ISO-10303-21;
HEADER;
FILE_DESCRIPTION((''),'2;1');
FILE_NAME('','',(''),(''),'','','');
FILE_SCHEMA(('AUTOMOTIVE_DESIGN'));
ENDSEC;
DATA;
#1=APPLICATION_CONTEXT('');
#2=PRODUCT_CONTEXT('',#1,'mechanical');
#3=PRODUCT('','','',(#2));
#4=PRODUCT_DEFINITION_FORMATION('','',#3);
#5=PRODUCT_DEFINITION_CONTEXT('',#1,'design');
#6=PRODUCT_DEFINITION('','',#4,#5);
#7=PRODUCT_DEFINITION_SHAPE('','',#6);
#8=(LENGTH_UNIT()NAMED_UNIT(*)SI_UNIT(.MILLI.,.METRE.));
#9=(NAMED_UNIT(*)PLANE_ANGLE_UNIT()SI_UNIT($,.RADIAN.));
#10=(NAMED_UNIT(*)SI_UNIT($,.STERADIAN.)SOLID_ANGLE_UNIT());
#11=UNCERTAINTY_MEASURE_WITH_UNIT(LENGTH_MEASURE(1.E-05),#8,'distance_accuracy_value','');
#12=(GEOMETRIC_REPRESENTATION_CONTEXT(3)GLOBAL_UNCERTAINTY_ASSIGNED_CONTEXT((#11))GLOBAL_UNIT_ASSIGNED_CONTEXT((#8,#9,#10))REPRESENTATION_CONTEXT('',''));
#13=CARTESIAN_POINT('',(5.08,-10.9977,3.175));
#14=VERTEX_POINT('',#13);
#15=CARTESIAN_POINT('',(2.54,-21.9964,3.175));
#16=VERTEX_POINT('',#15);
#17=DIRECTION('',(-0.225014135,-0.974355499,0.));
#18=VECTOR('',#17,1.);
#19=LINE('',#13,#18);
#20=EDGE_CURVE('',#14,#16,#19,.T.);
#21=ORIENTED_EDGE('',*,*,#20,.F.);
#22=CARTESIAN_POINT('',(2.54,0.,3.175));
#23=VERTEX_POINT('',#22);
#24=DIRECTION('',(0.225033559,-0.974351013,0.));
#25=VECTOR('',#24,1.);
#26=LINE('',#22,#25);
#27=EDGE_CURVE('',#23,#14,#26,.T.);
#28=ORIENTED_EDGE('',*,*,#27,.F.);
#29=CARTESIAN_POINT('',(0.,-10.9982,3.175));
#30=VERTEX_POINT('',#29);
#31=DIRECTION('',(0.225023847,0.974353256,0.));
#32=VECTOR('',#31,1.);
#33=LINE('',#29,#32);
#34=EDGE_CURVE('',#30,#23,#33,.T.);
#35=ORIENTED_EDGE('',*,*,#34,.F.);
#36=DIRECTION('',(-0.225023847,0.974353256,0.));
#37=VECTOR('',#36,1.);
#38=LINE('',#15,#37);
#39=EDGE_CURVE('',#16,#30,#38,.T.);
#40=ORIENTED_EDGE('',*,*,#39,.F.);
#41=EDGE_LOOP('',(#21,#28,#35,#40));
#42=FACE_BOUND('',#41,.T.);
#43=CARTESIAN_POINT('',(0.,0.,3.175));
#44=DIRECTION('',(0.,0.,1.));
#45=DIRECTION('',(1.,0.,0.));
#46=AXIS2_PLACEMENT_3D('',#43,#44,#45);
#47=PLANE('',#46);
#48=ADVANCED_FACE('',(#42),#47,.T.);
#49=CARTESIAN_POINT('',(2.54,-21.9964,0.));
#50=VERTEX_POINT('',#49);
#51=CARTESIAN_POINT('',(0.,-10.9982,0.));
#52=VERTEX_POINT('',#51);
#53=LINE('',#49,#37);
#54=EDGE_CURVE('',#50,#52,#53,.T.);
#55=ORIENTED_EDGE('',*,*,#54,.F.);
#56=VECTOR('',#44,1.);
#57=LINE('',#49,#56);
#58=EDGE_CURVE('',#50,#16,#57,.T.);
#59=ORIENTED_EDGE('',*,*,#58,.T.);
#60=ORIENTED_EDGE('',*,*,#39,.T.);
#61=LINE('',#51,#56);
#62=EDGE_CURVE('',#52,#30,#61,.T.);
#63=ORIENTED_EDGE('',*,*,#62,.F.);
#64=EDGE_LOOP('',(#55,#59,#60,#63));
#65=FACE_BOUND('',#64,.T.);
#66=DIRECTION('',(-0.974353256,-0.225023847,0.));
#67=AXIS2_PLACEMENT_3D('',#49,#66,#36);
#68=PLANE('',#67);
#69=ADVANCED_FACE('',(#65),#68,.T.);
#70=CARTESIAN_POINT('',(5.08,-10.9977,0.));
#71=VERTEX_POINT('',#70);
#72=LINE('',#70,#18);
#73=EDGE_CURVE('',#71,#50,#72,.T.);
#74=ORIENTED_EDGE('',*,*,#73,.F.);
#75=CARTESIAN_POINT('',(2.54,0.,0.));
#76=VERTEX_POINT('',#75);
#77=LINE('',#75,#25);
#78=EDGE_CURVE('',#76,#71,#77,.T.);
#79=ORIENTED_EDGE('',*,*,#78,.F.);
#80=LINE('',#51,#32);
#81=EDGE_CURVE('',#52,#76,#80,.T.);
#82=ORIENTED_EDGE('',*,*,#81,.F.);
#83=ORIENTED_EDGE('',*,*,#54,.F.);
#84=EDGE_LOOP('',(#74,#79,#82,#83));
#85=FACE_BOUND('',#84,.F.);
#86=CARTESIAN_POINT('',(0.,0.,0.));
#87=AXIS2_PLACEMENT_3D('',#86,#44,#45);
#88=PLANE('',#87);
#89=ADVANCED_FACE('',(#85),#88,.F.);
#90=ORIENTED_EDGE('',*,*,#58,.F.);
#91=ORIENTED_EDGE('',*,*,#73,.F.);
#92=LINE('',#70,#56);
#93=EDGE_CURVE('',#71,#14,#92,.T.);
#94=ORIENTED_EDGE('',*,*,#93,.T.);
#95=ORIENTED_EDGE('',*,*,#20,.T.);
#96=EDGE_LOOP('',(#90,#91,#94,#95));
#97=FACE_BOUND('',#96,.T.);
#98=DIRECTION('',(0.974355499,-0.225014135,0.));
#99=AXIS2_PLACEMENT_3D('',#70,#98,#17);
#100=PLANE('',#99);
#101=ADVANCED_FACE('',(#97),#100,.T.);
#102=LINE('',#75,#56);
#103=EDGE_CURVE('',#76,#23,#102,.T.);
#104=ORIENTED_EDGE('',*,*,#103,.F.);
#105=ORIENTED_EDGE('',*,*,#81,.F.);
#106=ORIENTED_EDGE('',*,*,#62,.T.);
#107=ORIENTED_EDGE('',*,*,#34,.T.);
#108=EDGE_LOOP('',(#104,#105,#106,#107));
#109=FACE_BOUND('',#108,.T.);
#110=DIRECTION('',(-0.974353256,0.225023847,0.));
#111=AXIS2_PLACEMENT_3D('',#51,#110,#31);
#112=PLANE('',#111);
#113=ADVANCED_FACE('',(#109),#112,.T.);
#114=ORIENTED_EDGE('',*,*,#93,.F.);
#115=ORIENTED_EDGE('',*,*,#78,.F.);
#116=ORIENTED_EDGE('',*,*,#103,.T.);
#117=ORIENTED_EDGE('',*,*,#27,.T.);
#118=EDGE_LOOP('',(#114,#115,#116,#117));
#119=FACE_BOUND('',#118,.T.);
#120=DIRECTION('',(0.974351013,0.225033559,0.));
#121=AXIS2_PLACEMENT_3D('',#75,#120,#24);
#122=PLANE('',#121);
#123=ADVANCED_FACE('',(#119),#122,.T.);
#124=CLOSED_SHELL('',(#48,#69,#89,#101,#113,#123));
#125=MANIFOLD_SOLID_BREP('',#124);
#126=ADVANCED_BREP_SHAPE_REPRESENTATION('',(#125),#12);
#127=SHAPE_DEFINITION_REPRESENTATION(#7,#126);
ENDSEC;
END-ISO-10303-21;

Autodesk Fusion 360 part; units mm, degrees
sketch "Rhombus" plane through (0, 0, 0) normal (0, 0, 1) x (1, 0, 0)
  line L0 (2.54, 0) -> (5.08, -10.9977)
  line L1 (2.54, -21.9964) -> (0, -10.9982)
  line L2 (5.08, -10.9977) -> (2.54, -21.9964)
  line L3 (0, -10.9982) -> (2.54, 0)
extrude "Extrude1" add sketch "Rhombus" along normal blind 3.175
